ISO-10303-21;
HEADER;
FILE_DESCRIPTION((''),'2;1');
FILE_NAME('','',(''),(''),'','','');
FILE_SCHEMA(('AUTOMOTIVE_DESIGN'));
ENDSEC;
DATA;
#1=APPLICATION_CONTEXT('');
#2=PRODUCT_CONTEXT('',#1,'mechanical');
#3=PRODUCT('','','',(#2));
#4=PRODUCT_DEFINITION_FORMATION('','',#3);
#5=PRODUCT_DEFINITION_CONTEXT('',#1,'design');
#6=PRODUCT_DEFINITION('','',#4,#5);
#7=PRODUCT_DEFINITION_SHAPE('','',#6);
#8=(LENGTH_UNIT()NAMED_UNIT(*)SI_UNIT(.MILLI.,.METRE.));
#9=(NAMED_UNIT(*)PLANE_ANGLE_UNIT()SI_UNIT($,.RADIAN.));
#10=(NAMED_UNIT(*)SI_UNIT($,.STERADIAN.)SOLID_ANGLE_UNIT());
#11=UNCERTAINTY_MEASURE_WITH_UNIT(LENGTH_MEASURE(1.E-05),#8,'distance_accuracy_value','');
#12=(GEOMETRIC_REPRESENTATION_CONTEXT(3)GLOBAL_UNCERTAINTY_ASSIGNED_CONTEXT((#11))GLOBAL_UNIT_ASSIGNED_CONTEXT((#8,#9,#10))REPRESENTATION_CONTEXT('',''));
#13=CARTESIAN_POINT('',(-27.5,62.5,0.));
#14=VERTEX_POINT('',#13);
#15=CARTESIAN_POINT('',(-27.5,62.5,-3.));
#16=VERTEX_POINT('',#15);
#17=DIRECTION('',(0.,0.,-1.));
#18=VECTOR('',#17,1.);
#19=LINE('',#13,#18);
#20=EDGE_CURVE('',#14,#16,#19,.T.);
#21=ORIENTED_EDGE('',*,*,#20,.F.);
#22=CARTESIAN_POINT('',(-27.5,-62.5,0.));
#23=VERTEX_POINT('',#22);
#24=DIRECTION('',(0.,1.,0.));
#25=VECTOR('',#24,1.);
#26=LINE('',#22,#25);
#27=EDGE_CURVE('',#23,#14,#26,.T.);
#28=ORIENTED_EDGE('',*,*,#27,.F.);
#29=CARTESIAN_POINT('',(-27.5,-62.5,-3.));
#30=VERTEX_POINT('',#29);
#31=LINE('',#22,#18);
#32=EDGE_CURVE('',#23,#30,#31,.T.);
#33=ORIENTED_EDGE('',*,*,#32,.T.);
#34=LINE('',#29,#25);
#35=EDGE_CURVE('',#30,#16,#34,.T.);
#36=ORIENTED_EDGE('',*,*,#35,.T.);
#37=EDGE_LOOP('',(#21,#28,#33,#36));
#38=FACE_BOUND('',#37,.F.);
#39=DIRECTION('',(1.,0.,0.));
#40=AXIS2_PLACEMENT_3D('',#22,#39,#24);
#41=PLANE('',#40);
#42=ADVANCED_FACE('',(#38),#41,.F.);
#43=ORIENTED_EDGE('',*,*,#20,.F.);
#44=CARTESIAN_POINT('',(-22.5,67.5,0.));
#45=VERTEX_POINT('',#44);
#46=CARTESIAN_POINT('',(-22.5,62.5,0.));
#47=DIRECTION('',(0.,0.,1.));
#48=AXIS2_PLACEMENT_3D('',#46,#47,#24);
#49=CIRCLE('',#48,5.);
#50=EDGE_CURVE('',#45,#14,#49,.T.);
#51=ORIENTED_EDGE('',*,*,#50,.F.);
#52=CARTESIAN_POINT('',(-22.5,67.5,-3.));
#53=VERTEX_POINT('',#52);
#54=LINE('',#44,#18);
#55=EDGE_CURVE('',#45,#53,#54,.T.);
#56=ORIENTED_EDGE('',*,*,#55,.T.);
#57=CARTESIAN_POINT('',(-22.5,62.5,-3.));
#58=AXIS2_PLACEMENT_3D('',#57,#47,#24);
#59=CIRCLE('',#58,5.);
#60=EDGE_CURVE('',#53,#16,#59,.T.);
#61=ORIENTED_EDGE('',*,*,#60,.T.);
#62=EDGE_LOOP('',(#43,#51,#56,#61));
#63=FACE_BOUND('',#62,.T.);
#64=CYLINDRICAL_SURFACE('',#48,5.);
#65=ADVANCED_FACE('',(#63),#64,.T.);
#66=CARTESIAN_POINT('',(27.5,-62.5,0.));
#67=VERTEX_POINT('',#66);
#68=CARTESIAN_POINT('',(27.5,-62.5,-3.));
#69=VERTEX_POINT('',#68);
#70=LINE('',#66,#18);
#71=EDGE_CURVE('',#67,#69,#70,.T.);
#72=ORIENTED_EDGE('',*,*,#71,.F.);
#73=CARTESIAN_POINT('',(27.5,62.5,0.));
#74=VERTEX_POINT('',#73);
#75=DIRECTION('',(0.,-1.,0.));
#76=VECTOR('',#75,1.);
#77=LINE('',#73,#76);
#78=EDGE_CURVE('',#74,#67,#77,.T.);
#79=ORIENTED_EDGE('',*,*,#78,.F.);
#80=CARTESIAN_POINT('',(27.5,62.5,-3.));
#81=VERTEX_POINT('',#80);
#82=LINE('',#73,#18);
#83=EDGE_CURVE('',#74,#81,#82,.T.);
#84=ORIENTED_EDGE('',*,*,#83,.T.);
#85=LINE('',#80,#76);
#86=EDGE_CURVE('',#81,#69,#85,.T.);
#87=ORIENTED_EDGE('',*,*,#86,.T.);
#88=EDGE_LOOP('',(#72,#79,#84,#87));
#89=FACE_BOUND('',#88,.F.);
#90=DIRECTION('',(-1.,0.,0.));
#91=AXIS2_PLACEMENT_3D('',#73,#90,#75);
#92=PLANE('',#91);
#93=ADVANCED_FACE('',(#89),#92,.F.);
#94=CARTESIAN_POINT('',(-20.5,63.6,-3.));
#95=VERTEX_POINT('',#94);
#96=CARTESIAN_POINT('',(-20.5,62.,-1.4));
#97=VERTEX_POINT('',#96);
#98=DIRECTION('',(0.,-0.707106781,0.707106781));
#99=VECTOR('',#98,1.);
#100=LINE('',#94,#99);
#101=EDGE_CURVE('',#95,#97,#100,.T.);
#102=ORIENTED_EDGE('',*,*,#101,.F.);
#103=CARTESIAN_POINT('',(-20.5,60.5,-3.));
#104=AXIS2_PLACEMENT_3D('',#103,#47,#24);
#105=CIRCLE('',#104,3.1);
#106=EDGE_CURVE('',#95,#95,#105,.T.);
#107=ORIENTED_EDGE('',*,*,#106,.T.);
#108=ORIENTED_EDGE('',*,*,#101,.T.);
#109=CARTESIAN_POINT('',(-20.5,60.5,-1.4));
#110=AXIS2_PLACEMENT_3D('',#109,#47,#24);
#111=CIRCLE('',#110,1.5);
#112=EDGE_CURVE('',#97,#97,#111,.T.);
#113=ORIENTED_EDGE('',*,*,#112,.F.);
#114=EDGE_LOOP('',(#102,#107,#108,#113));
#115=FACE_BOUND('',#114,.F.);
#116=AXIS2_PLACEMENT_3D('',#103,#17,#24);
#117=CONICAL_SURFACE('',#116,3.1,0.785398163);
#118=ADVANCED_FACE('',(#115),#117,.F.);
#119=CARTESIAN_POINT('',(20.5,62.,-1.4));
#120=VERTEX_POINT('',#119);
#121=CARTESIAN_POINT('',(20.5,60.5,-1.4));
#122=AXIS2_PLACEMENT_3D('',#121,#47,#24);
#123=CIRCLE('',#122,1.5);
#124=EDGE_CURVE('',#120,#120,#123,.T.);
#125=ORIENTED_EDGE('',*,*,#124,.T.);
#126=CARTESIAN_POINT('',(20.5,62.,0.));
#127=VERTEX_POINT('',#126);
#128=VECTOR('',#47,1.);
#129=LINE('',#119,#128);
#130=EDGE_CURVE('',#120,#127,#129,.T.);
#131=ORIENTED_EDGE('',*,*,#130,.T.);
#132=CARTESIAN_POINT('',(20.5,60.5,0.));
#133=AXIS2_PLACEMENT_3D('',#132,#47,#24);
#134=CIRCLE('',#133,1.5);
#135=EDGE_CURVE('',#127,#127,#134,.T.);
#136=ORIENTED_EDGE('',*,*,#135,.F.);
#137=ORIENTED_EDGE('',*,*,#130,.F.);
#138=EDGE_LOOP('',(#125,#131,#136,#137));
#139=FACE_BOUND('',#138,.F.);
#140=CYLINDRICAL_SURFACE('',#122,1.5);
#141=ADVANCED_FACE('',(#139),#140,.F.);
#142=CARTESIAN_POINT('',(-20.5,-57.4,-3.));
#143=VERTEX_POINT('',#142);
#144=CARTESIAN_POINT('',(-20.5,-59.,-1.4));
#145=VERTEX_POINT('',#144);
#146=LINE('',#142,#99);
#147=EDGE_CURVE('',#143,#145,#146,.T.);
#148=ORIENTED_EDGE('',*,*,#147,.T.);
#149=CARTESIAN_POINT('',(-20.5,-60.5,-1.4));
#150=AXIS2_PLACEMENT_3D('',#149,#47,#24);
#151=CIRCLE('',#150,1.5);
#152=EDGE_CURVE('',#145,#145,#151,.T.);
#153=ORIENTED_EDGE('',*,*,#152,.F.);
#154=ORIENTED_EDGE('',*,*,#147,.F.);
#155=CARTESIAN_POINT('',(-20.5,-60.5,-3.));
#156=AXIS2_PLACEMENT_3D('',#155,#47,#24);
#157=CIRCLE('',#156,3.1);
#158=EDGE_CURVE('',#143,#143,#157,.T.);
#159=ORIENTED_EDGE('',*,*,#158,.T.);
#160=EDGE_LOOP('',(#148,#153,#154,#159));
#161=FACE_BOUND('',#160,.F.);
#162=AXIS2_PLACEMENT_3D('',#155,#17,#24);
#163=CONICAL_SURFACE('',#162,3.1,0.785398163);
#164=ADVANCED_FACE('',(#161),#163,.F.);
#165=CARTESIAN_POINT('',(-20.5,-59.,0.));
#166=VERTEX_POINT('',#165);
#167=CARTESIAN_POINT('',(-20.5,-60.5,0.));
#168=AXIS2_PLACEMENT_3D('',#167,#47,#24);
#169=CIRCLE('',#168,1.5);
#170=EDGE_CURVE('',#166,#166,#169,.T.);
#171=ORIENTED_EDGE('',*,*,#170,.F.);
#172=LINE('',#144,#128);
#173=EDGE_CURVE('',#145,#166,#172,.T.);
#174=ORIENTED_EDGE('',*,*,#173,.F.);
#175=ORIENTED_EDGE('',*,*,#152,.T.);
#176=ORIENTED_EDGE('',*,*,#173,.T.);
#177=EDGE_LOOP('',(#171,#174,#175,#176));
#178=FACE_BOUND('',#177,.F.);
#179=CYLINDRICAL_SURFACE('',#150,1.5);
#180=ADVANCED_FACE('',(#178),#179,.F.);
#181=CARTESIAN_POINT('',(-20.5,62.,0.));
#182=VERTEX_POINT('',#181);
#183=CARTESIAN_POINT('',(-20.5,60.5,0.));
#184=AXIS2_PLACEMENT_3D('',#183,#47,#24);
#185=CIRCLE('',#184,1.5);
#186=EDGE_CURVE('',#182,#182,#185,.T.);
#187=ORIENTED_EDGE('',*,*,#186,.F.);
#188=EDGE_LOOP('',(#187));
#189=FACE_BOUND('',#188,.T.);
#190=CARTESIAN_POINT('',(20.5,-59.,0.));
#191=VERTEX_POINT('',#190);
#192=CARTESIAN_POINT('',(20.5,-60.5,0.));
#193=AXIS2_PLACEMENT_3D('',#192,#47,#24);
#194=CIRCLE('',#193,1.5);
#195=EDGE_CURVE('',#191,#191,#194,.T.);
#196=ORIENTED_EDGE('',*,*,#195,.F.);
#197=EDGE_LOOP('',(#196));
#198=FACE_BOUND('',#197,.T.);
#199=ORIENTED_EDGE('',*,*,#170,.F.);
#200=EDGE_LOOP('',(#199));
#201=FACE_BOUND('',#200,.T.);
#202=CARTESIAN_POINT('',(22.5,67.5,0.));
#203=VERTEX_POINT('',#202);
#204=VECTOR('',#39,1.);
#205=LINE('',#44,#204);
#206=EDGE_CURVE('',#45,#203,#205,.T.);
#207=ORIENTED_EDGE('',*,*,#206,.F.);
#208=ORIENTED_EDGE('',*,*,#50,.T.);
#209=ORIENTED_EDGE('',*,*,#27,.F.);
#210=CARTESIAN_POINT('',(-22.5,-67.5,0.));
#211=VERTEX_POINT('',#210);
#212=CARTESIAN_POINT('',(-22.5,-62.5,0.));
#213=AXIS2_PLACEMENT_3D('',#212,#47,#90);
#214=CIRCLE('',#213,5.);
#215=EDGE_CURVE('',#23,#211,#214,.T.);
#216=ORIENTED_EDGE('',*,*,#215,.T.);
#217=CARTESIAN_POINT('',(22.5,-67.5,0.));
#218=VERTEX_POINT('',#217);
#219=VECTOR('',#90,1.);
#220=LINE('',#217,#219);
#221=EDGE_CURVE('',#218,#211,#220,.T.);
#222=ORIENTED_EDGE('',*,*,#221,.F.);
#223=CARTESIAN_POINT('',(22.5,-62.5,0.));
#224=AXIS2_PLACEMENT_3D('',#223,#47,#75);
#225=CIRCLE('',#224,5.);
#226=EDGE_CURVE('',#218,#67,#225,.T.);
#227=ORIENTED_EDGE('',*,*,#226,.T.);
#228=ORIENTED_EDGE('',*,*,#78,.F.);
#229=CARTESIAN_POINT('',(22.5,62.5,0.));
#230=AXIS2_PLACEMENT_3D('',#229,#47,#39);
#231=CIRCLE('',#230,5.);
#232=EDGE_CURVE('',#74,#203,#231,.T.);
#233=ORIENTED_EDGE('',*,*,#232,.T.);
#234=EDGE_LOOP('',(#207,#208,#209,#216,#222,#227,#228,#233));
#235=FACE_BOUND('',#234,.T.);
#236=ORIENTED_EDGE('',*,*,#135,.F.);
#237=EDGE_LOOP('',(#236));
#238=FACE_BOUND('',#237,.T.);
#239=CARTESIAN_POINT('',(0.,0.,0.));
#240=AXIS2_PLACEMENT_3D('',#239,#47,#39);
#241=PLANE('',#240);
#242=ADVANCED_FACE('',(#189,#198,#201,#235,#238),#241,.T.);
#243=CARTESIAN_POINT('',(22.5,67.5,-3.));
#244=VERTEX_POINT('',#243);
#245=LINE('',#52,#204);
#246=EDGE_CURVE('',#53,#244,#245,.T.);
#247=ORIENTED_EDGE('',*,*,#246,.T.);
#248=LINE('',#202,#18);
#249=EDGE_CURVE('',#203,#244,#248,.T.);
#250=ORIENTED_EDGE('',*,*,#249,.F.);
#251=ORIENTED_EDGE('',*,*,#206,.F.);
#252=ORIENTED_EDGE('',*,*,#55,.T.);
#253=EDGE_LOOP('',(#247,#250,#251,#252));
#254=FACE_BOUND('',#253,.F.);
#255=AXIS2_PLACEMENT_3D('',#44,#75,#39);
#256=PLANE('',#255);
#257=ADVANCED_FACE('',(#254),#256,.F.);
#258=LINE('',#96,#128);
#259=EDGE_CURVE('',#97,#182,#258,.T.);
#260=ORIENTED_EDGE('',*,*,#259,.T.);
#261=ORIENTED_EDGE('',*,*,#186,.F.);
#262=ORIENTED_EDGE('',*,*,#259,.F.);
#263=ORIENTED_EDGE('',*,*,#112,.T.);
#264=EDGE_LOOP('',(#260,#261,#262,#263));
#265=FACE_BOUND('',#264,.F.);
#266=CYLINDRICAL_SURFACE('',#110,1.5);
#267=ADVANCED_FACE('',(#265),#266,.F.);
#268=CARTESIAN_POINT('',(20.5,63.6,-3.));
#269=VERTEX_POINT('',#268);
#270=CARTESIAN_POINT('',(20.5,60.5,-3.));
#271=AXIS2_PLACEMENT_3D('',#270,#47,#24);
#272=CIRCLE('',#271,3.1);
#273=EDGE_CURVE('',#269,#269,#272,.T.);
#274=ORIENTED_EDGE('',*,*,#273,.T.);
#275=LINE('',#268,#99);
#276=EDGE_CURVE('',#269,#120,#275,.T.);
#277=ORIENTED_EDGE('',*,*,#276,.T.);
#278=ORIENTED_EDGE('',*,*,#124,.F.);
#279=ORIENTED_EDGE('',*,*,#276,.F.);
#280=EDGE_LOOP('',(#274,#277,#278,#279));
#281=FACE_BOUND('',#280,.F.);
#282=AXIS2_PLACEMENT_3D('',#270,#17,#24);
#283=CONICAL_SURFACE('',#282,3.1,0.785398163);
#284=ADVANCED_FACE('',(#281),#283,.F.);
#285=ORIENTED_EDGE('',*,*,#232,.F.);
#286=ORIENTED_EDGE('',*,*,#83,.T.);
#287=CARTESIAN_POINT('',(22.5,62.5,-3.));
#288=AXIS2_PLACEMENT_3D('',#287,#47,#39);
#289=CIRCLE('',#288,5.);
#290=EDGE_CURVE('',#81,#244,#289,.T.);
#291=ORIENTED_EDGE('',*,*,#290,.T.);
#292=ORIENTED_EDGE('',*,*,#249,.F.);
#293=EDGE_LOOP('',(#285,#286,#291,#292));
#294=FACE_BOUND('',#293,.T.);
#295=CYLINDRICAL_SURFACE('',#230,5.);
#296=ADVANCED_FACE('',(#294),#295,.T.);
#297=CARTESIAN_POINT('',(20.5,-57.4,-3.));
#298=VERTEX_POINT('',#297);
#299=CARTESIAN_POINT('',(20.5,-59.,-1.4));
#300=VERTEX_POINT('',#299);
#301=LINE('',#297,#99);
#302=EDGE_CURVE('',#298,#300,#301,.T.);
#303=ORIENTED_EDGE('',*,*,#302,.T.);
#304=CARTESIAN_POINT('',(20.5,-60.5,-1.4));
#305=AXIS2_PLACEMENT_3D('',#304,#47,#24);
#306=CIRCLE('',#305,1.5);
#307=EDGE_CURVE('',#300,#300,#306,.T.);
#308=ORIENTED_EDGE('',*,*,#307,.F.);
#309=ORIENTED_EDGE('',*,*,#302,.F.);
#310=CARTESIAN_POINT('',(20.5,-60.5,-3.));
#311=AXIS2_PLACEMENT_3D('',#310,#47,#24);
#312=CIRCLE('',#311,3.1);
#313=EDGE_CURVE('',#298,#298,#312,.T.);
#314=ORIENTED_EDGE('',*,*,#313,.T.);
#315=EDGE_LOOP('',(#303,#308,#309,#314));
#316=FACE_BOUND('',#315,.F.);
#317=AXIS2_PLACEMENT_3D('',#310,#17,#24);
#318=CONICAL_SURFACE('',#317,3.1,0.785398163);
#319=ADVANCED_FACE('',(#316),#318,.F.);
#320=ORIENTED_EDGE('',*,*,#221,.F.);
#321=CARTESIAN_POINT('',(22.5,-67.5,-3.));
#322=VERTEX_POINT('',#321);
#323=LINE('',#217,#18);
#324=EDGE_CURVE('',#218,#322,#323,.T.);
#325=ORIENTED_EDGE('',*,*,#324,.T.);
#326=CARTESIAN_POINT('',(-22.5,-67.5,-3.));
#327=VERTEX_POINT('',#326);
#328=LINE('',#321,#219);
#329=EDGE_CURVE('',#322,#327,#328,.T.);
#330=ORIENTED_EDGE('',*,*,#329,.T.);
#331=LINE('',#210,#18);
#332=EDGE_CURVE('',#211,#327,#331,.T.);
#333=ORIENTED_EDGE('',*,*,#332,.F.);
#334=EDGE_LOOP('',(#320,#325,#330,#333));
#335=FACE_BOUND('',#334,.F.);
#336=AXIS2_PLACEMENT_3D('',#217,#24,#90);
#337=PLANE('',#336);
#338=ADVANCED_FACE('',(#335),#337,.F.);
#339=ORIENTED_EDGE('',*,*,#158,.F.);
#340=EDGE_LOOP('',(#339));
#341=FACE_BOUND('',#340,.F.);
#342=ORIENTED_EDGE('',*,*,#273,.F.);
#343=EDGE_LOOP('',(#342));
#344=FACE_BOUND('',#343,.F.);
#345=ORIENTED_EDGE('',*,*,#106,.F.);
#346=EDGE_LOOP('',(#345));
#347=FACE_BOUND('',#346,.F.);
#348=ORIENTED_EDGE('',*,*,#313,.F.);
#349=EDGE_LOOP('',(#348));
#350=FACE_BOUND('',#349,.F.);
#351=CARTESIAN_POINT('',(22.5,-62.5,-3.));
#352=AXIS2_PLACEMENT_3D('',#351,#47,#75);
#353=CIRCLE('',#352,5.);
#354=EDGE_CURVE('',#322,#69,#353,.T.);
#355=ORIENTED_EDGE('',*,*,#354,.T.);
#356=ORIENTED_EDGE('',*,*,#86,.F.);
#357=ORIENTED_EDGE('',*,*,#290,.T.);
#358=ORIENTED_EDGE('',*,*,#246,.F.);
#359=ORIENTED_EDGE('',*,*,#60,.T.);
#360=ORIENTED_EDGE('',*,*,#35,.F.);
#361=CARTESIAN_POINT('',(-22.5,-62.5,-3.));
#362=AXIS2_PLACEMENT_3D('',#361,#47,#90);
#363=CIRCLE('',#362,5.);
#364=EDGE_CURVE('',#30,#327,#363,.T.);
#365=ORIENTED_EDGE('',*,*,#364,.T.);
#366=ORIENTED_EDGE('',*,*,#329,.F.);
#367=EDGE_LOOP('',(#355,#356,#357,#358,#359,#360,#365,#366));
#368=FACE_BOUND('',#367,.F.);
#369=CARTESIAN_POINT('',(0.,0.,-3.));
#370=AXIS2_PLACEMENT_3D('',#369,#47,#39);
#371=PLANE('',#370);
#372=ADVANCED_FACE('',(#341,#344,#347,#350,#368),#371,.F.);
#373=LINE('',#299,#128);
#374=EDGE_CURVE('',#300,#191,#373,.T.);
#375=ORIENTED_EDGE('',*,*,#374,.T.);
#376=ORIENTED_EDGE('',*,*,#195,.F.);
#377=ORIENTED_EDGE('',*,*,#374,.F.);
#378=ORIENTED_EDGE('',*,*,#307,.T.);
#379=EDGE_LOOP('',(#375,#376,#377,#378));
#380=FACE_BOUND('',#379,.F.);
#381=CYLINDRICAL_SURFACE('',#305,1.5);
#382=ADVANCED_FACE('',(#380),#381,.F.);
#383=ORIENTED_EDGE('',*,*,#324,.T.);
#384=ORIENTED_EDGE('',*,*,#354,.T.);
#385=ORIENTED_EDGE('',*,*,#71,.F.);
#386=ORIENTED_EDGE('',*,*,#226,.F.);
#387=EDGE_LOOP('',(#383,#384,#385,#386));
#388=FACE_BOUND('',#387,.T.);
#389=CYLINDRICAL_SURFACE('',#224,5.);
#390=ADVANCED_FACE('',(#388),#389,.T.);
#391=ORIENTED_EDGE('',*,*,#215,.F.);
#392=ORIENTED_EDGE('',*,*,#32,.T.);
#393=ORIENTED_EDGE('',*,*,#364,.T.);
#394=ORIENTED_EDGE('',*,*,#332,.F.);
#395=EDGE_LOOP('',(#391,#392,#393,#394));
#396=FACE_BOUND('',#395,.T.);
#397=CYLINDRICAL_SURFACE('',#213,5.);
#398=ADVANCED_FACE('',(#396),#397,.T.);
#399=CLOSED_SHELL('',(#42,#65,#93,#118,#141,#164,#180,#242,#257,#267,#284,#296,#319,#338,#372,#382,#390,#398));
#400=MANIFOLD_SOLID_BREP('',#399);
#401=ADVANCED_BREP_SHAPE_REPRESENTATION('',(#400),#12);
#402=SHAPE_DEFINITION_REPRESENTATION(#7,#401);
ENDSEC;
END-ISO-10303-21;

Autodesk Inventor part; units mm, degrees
ref_plane "YZ Plane" through (0, 0, 0) normal (1, 0, 0) x (0, 1, 0)
ref_plane "XZ Plane" through (0, 0, 0) normal (0, 1, 0) x (-1, 0, 0)
ref_plane "XY Plane" through (0, 0, 0) normal (0, 0, 1) x (1, 0, 0)
sketch "Sketch1" plane through (0, 0, 0) normal (0, 0, 1) x (1, 0, 0)
  arc A0 (22.5, -67.5) -> (27.5, -62.5) centre (22.5, -62.5) ccw projected
  line L0 (27.5, 62.5) -> (27.5, -62.5) projected
  arc A1 (27.5, 62.5) -> (22.5, 67.5) centre (22.5, 62.5) ccw projected
  line L1 (-22.5, 67.5) -> (22.5, 67.5) projected
  arc A2 (-22.5, 67.5) -> (-27.5, 62.5) centre (-22.5, 62.5) ccw projected
  line L2 (-27.5, -62.5) -> (-27.5, 62.5) projected
  arc A3 (-27.5, -62.5) -> (-22.5, -67.5) centre (-22.5, -62.5) ccw projected
  line L3 (22.5, -67.5) -> (-22.5, -67.5) projected
  circle A4 centre (20.5, -60.5) radius 1.5 construction
  circle A5 centre (20.5, 60.5) radius 1.5 construction
  circle A6 centre (-20.5, 60.5) radius 1.5 construction
  circle A7 centre (-20.5, -60.5) radius 1.5 construction
extrude "Extrusion1" add sketch "Sketch1" against normal blind 3
sketch "Sketch4" plane through (0, 0, -3) normal (0, 0, -1) x (-1, 0, 0)
  point P0 (0, 0)
  point P1 (20.5, -60.5)
  point P2 (-20.5, -60.5)
  point P3 (20.5, 60.5)
  point P4 (-20.5, 60.5)
hole "Hole1" at (-20.5, -60.5, -3) at (20.5, -60.5, -3) at (-20.5, 60.5, -3) at (20.5, 60.5, -3) direction (0, 0, 1) diameter 3 end through all countersink diameter 6.2 countersink angle 90
equation "\"d3\" = Plate_thickness"
equation "\"Plate_thickness\" = 3"
equation "\"Top_Plate_Bottom_to_PowerPcb_Bottom\" = 2.7"
properties part number "Box_Bottom_Plate" material "Aluminum 6061"
